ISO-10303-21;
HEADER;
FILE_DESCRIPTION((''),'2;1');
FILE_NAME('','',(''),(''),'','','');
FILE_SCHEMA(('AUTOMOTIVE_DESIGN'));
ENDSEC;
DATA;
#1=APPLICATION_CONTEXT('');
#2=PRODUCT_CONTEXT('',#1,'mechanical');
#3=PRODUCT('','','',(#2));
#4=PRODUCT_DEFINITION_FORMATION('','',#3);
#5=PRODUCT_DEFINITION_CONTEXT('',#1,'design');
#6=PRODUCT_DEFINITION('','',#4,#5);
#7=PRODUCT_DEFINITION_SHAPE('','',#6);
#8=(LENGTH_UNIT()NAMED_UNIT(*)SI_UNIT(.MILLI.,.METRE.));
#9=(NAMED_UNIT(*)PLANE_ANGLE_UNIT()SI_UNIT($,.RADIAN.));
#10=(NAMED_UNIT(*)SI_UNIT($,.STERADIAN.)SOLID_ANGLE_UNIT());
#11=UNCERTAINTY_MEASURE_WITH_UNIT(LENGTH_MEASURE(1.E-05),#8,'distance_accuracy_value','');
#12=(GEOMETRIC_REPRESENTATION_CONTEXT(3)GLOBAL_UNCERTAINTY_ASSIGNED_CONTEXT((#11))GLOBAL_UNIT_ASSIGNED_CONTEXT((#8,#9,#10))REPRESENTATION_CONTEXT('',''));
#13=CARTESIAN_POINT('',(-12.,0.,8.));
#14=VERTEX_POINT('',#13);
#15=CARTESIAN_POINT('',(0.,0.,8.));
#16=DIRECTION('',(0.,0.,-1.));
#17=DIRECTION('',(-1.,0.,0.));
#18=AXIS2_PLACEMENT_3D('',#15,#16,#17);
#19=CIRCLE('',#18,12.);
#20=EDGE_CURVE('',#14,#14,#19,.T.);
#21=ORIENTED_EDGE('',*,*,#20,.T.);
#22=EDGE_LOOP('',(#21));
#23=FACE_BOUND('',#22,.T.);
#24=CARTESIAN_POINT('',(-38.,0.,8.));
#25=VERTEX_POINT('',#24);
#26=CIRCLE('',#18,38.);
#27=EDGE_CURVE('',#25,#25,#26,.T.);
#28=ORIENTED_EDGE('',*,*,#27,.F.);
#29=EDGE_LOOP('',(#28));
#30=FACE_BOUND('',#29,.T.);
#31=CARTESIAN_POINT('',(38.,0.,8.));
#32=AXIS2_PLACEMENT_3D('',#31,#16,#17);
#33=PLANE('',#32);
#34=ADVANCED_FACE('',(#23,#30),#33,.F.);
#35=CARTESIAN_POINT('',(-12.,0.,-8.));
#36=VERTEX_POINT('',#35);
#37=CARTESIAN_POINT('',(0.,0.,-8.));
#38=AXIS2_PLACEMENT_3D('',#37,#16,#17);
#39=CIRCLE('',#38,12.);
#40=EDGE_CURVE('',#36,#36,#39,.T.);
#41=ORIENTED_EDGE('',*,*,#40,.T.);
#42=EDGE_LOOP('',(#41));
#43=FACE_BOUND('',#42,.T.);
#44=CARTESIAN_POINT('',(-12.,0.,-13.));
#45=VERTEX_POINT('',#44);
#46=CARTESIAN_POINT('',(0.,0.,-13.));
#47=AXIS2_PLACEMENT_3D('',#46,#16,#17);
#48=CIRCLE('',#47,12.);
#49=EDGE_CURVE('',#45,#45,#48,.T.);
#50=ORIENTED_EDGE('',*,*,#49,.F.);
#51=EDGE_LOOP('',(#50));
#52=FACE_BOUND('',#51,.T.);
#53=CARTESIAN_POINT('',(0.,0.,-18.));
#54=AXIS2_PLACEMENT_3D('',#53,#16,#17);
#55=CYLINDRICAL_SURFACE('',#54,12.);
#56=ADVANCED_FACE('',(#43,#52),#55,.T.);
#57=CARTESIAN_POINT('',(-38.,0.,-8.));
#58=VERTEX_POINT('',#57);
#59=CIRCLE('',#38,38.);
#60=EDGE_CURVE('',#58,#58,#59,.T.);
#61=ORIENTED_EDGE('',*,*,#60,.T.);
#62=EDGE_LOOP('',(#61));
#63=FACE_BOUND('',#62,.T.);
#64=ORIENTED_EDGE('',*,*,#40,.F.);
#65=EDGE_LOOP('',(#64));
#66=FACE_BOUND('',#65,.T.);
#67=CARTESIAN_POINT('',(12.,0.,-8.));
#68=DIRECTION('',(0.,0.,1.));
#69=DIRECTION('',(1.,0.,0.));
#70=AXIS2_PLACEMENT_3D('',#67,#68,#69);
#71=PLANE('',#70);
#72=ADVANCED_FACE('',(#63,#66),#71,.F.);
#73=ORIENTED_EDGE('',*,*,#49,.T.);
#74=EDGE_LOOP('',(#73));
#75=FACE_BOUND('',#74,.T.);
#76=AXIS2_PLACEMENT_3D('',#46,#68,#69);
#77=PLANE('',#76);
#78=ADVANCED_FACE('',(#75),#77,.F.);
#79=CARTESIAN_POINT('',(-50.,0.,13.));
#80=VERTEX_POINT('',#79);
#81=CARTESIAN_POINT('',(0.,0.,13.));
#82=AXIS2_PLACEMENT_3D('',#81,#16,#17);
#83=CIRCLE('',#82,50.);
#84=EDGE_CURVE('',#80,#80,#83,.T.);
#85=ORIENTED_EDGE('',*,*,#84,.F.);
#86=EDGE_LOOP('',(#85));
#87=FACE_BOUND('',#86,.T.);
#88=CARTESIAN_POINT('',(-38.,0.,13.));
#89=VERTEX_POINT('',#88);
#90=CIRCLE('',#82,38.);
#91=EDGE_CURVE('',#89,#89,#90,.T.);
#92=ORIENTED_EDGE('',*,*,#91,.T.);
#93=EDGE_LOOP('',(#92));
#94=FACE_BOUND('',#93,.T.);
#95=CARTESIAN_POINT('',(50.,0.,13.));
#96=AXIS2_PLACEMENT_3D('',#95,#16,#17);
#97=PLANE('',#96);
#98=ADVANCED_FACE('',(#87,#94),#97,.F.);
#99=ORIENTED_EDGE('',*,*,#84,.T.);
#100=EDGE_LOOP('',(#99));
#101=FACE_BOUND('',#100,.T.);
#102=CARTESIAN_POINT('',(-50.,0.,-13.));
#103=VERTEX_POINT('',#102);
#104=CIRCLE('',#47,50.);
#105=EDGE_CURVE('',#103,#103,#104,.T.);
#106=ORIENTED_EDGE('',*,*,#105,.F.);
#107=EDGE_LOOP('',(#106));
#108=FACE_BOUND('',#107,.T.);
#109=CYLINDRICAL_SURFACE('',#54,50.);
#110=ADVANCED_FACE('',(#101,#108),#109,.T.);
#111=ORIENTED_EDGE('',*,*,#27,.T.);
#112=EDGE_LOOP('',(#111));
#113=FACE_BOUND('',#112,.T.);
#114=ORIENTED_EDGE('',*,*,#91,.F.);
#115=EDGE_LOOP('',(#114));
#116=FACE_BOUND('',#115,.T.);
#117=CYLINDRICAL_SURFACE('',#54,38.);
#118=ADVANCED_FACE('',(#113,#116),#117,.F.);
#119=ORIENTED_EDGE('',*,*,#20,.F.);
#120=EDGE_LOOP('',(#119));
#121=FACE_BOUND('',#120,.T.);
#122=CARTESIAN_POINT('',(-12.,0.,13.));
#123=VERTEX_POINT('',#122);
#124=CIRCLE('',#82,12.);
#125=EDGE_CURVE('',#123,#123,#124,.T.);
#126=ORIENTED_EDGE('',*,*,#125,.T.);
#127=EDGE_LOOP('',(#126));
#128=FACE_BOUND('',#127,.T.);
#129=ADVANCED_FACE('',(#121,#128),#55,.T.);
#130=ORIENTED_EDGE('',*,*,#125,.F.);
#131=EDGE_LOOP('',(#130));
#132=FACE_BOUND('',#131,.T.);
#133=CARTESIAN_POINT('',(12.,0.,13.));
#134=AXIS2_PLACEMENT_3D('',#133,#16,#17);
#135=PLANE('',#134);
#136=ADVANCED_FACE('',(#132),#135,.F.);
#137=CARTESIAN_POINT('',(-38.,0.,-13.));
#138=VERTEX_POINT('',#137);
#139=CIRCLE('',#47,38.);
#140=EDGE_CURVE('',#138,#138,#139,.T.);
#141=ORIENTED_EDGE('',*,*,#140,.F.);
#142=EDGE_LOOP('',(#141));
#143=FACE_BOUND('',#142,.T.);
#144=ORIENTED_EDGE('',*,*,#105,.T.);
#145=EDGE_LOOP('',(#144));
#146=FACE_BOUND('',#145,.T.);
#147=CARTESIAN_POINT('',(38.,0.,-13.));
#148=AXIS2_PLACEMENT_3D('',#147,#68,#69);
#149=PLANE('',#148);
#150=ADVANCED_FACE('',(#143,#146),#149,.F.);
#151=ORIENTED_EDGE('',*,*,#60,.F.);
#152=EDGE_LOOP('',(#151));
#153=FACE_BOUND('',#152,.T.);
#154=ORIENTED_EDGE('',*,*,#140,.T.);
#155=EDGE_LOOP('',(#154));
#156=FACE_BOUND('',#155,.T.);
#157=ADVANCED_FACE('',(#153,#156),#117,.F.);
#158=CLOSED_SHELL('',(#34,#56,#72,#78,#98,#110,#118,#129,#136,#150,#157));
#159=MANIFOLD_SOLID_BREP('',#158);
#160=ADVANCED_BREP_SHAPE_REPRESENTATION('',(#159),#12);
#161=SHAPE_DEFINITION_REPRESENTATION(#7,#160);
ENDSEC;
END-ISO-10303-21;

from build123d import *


with BuildPart() as part:
    # SK_Wheel → Wheel (revolve)
    with BuildSketch(Plane(origin=(0, 0, 0), x_dir=(1, 0, 0), z_dir=(0, 1, 0)), mode=Mode.PRIVATE) as wheel_sk:
        Polygon((0, 13), (12, 13), (12, 8), (38, 8), (38, 13), (50, 13), (50, -13), (38, -13), (38, -8), (12, -8), (12, -13), (0, -13), align=None)
    revolve(wheel_sk.sketch.rotate(Axis((0, 0, -18), (0, 0, 1)), 180), axis=Axis((0, 0, -18), (0, 0, 1)))


solid = part.part
